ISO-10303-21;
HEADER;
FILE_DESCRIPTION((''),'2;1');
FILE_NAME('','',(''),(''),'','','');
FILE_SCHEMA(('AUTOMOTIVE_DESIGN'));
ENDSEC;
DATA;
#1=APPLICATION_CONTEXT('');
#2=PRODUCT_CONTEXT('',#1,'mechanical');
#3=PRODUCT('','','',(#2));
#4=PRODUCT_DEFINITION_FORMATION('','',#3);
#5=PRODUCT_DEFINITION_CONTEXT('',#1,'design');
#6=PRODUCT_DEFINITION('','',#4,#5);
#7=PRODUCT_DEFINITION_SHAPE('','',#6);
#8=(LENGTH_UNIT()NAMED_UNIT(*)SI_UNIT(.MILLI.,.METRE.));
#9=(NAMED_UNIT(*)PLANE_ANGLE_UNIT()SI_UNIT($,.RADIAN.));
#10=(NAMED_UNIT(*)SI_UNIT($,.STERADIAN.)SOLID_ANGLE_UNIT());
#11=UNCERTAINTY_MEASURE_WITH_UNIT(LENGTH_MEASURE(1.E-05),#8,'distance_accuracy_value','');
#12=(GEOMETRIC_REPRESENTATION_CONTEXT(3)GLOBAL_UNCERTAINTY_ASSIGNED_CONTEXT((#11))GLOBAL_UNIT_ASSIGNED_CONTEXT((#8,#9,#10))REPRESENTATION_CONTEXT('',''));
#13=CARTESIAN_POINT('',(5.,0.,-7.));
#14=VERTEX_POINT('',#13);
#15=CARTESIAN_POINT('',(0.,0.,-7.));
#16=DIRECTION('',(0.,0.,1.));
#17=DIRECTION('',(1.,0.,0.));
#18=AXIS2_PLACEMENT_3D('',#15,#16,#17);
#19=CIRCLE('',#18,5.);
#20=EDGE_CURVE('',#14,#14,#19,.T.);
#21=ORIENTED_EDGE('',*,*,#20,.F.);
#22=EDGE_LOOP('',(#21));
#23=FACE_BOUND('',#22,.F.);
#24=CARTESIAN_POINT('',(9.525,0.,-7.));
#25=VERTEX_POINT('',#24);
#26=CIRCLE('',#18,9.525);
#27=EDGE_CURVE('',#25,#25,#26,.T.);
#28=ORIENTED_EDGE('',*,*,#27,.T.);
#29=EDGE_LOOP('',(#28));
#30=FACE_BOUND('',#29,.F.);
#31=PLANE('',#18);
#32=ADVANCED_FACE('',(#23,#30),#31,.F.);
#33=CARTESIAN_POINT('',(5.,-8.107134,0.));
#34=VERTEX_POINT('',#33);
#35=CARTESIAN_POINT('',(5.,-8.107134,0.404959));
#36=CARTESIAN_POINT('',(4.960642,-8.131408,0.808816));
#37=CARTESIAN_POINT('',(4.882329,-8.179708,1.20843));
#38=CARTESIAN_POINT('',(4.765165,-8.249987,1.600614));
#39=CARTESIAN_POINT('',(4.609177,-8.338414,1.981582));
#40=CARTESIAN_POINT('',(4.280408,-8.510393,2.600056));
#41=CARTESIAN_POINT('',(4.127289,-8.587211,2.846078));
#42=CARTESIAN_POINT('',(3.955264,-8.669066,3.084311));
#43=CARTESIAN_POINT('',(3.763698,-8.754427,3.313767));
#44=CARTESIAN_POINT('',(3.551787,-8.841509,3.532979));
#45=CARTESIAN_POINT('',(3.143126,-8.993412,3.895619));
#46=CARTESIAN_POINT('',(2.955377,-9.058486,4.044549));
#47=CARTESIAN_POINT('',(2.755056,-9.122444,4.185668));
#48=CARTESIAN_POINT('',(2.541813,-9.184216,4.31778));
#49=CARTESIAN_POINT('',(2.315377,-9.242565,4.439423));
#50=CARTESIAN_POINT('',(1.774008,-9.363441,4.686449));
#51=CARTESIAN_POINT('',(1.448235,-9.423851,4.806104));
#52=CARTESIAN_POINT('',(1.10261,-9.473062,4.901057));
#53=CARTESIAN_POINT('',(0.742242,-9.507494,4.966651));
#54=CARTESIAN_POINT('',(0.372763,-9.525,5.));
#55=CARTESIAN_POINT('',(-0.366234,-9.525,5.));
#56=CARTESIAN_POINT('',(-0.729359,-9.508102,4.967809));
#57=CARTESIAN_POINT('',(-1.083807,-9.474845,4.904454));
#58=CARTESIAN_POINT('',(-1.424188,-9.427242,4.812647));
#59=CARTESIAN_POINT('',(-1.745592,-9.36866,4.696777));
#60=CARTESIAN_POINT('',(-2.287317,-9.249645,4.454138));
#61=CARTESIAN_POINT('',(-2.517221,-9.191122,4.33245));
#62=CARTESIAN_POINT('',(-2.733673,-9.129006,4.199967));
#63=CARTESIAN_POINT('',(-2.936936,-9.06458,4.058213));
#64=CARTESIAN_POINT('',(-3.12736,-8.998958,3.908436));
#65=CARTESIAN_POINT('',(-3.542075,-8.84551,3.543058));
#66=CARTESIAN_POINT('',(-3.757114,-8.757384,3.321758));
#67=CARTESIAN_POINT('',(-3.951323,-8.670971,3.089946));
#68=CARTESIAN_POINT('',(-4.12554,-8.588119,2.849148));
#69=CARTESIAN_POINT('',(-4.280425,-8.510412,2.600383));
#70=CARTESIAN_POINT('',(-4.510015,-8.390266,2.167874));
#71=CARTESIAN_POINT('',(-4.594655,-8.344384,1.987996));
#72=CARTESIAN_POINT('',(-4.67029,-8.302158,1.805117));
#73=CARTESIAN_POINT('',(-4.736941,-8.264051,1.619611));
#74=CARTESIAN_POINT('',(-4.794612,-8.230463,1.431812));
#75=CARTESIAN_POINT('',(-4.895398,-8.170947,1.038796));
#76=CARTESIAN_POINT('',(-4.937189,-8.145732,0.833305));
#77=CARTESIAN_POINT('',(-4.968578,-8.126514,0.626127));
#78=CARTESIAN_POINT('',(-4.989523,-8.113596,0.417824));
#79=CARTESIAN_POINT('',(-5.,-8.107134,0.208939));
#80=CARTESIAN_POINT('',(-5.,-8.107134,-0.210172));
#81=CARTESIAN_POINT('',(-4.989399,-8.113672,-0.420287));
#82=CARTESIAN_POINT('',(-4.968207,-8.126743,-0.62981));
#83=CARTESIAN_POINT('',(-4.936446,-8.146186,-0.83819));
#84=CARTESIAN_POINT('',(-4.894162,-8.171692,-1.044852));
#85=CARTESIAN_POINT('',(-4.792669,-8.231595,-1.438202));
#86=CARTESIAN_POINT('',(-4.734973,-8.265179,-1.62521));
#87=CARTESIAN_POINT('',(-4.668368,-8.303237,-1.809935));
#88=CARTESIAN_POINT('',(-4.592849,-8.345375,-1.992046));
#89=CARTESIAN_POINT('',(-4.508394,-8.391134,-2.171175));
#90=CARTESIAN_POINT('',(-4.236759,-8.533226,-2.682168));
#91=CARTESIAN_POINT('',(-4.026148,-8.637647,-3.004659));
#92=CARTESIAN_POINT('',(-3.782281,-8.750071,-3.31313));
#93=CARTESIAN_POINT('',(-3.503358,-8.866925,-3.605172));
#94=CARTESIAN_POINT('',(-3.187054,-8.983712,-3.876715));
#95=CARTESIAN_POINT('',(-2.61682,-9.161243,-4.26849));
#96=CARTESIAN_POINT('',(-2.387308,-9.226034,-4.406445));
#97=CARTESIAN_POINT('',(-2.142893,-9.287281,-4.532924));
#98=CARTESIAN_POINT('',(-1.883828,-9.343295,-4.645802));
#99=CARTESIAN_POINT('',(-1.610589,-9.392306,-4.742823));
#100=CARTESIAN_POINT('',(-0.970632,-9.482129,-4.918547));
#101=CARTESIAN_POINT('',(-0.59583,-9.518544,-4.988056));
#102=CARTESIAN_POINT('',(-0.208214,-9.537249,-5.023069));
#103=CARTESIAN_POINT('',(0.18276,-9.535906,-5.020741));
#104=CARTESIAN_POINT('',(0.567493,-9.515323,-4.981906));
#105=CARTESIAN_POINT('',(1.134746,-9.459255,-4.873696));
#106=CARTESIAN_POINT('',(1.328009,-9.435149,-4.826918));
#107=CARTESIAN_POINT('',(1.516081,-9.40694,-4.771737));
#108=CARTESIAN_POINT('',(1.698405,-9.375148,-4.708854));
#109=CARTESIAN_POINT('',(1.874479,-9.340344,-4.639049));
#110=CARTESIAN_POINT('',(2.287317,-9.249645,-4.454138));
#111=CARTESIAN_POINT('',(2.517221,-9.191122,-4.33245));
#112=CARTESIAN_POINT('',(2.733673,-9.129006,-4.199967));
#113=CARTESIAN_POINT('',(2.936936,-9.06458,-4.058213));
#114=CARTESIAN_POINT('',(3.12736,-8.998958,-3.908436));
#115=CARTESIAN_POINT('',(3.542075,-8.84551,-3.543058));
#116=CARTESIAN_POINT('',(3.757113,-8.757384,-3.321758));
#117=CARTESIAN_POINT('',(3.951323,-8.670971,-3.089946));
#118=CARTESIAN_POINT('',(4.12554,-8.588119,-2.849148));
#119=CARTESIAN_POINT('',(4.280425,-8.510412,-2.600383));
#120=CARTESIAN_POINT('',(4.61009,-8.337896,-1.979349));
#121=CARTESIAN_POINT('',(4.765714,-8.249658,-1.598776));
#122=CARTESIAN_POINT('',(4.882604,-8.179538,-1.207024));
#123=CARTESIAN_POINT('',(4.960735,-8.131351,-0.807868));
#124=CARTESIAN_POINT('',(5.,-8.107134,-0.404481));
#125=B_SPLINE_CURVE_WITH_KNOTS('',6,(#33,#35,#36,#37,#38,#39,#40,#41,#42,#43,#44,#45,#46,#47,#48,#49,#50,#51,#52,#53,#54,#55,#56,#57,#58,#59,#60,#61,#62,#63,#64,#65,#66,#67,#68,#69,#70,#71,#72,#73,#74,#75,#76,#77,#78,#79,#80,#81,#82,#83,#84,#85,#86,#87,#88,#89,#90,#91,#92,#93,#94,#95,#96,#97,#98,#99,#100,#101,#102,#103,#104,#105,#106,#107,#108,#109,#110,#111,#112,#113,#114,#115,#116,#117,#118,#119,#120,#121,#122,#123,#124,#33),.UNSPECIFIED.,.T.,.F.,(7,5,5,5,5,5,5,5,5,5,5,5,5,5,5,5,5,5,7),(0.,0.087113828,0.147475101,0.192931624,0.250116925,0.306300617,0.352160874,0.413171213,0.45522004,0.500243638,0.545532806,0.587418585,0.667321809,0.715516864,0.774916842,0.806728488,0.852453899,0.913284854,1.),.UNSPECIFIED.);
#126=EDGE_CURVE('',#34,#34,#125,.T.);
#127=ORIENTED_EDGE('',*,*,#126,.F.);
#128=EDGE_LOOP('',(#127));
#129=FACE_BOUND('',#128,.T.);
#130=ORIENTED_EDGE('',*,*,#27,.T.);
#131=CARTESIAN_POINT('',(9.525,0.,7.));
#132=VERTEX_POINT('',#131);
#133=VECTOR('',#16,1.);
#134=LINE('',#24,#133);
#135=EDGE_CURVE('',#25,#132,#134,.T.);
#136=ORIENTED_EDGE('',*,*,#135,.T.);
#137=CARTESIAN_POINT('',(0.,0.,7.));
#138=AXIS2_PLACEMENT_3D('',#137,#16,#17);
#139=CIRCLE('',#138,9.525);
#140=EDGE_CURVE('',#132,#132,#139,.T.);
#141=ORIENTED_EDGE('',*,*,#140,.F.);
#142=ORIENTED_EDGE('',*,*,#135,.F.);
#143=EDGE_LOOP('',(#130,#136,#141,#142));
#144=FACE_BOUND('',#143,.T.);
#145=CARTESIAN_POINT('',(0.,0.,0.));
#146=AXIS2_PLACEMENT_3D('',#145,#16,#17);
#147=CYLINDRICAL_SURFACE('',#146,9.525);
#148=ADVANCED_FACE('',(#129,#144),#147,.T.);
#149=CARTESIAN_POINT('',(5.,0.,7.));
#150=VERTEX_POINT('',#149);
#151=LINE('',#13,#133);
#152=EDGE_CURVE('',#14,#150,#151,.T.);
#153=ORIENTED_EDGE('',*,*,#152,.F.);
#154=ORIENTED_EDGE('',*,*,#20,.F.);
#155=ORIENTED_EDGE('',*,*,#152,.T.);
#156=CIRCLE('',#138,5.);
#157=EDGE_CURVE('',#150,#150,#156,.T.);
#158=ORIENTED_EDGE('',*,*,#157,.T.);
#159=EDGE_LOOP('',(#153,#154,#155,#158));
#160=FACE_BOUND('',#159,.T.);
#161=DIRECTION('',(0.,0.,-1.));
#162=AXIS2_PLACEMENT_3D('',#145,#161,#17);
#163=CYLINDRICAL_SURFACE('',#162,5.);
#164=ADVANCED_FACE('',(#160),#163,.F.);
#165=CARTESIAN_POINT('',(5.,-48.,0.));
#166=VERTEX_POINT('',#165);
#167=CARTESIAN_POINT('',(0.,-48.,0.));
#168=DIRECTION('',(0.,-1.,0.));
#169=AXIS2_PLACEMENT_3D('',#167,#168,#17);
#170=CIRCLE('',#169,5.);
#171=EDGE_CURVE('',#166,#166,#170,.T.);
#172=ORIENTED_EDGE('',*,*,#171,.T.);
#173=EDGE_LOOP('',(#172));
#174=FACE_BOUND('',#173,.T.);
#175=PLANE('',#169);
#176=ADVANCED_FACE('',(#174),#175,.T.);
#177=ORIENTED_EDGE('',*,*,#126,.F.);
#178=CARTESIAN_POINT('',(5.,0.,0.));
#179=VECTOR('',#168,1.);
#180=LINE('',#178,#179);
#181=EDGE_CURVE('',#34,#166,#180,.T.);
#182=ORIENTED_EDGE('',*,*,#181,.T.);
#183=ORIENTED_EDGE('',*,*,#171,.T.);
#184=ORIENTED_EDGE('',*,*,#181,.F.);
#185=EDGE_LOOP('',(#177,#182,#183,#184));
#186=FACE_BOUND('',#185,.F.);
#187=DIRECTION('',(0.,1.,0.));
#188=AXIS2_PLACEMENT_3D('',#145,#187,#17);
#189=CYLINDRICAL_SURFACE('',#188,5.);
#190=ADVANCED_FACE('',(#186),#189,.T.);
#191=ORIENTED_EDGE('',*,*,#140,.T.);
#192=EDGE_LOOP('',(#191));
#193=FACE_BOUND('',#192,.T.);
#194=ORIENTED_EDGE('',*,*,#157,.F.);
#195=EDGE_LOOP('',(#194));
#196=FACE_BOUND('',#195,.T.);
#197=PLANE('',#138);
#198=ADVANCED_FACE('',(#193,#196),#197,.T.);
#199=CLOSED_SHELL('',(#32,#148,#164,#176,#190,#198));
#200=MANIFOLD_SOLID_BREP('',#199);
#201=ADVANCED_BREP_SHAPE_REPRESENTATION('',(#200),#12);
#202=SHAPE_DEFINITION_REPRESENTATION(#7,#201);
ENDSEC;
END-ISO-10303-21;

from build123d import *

# Parameters (mm, degrees)
F0_R     = 9.525
F0_R_2   = 5
F1_DEPTH = 7
F2_R     = 5
F3_DEPTH = 48
F4_R     = 5
F5_DEPTH = 12.5


with BuildPart() as f1:
    # F0 (on Top) → F1 (new body, symmetric)
    with BuildSketch(Plane.XY):
        Circle(F0_R)
        Circle(F0_R_2, mode=Mode.SUBTRACT)
    extrude(amount=F1_DEPTH, both=True)

    # F2 (on Front) → F3 (join)
    with BuildSketch(Plane.XZ):
        Circle(F2_R)
    extrude(amount=F3_DEPTH)

    # F4 (on Top) → F5 (cut, symmetric)
    with BuildSketch(Plane.XY):
        Circle(F4_R)
    extrude(amount=F5_DEPTH, both=True, mode=Mode.SUBTRACT)


solid = f1.part
